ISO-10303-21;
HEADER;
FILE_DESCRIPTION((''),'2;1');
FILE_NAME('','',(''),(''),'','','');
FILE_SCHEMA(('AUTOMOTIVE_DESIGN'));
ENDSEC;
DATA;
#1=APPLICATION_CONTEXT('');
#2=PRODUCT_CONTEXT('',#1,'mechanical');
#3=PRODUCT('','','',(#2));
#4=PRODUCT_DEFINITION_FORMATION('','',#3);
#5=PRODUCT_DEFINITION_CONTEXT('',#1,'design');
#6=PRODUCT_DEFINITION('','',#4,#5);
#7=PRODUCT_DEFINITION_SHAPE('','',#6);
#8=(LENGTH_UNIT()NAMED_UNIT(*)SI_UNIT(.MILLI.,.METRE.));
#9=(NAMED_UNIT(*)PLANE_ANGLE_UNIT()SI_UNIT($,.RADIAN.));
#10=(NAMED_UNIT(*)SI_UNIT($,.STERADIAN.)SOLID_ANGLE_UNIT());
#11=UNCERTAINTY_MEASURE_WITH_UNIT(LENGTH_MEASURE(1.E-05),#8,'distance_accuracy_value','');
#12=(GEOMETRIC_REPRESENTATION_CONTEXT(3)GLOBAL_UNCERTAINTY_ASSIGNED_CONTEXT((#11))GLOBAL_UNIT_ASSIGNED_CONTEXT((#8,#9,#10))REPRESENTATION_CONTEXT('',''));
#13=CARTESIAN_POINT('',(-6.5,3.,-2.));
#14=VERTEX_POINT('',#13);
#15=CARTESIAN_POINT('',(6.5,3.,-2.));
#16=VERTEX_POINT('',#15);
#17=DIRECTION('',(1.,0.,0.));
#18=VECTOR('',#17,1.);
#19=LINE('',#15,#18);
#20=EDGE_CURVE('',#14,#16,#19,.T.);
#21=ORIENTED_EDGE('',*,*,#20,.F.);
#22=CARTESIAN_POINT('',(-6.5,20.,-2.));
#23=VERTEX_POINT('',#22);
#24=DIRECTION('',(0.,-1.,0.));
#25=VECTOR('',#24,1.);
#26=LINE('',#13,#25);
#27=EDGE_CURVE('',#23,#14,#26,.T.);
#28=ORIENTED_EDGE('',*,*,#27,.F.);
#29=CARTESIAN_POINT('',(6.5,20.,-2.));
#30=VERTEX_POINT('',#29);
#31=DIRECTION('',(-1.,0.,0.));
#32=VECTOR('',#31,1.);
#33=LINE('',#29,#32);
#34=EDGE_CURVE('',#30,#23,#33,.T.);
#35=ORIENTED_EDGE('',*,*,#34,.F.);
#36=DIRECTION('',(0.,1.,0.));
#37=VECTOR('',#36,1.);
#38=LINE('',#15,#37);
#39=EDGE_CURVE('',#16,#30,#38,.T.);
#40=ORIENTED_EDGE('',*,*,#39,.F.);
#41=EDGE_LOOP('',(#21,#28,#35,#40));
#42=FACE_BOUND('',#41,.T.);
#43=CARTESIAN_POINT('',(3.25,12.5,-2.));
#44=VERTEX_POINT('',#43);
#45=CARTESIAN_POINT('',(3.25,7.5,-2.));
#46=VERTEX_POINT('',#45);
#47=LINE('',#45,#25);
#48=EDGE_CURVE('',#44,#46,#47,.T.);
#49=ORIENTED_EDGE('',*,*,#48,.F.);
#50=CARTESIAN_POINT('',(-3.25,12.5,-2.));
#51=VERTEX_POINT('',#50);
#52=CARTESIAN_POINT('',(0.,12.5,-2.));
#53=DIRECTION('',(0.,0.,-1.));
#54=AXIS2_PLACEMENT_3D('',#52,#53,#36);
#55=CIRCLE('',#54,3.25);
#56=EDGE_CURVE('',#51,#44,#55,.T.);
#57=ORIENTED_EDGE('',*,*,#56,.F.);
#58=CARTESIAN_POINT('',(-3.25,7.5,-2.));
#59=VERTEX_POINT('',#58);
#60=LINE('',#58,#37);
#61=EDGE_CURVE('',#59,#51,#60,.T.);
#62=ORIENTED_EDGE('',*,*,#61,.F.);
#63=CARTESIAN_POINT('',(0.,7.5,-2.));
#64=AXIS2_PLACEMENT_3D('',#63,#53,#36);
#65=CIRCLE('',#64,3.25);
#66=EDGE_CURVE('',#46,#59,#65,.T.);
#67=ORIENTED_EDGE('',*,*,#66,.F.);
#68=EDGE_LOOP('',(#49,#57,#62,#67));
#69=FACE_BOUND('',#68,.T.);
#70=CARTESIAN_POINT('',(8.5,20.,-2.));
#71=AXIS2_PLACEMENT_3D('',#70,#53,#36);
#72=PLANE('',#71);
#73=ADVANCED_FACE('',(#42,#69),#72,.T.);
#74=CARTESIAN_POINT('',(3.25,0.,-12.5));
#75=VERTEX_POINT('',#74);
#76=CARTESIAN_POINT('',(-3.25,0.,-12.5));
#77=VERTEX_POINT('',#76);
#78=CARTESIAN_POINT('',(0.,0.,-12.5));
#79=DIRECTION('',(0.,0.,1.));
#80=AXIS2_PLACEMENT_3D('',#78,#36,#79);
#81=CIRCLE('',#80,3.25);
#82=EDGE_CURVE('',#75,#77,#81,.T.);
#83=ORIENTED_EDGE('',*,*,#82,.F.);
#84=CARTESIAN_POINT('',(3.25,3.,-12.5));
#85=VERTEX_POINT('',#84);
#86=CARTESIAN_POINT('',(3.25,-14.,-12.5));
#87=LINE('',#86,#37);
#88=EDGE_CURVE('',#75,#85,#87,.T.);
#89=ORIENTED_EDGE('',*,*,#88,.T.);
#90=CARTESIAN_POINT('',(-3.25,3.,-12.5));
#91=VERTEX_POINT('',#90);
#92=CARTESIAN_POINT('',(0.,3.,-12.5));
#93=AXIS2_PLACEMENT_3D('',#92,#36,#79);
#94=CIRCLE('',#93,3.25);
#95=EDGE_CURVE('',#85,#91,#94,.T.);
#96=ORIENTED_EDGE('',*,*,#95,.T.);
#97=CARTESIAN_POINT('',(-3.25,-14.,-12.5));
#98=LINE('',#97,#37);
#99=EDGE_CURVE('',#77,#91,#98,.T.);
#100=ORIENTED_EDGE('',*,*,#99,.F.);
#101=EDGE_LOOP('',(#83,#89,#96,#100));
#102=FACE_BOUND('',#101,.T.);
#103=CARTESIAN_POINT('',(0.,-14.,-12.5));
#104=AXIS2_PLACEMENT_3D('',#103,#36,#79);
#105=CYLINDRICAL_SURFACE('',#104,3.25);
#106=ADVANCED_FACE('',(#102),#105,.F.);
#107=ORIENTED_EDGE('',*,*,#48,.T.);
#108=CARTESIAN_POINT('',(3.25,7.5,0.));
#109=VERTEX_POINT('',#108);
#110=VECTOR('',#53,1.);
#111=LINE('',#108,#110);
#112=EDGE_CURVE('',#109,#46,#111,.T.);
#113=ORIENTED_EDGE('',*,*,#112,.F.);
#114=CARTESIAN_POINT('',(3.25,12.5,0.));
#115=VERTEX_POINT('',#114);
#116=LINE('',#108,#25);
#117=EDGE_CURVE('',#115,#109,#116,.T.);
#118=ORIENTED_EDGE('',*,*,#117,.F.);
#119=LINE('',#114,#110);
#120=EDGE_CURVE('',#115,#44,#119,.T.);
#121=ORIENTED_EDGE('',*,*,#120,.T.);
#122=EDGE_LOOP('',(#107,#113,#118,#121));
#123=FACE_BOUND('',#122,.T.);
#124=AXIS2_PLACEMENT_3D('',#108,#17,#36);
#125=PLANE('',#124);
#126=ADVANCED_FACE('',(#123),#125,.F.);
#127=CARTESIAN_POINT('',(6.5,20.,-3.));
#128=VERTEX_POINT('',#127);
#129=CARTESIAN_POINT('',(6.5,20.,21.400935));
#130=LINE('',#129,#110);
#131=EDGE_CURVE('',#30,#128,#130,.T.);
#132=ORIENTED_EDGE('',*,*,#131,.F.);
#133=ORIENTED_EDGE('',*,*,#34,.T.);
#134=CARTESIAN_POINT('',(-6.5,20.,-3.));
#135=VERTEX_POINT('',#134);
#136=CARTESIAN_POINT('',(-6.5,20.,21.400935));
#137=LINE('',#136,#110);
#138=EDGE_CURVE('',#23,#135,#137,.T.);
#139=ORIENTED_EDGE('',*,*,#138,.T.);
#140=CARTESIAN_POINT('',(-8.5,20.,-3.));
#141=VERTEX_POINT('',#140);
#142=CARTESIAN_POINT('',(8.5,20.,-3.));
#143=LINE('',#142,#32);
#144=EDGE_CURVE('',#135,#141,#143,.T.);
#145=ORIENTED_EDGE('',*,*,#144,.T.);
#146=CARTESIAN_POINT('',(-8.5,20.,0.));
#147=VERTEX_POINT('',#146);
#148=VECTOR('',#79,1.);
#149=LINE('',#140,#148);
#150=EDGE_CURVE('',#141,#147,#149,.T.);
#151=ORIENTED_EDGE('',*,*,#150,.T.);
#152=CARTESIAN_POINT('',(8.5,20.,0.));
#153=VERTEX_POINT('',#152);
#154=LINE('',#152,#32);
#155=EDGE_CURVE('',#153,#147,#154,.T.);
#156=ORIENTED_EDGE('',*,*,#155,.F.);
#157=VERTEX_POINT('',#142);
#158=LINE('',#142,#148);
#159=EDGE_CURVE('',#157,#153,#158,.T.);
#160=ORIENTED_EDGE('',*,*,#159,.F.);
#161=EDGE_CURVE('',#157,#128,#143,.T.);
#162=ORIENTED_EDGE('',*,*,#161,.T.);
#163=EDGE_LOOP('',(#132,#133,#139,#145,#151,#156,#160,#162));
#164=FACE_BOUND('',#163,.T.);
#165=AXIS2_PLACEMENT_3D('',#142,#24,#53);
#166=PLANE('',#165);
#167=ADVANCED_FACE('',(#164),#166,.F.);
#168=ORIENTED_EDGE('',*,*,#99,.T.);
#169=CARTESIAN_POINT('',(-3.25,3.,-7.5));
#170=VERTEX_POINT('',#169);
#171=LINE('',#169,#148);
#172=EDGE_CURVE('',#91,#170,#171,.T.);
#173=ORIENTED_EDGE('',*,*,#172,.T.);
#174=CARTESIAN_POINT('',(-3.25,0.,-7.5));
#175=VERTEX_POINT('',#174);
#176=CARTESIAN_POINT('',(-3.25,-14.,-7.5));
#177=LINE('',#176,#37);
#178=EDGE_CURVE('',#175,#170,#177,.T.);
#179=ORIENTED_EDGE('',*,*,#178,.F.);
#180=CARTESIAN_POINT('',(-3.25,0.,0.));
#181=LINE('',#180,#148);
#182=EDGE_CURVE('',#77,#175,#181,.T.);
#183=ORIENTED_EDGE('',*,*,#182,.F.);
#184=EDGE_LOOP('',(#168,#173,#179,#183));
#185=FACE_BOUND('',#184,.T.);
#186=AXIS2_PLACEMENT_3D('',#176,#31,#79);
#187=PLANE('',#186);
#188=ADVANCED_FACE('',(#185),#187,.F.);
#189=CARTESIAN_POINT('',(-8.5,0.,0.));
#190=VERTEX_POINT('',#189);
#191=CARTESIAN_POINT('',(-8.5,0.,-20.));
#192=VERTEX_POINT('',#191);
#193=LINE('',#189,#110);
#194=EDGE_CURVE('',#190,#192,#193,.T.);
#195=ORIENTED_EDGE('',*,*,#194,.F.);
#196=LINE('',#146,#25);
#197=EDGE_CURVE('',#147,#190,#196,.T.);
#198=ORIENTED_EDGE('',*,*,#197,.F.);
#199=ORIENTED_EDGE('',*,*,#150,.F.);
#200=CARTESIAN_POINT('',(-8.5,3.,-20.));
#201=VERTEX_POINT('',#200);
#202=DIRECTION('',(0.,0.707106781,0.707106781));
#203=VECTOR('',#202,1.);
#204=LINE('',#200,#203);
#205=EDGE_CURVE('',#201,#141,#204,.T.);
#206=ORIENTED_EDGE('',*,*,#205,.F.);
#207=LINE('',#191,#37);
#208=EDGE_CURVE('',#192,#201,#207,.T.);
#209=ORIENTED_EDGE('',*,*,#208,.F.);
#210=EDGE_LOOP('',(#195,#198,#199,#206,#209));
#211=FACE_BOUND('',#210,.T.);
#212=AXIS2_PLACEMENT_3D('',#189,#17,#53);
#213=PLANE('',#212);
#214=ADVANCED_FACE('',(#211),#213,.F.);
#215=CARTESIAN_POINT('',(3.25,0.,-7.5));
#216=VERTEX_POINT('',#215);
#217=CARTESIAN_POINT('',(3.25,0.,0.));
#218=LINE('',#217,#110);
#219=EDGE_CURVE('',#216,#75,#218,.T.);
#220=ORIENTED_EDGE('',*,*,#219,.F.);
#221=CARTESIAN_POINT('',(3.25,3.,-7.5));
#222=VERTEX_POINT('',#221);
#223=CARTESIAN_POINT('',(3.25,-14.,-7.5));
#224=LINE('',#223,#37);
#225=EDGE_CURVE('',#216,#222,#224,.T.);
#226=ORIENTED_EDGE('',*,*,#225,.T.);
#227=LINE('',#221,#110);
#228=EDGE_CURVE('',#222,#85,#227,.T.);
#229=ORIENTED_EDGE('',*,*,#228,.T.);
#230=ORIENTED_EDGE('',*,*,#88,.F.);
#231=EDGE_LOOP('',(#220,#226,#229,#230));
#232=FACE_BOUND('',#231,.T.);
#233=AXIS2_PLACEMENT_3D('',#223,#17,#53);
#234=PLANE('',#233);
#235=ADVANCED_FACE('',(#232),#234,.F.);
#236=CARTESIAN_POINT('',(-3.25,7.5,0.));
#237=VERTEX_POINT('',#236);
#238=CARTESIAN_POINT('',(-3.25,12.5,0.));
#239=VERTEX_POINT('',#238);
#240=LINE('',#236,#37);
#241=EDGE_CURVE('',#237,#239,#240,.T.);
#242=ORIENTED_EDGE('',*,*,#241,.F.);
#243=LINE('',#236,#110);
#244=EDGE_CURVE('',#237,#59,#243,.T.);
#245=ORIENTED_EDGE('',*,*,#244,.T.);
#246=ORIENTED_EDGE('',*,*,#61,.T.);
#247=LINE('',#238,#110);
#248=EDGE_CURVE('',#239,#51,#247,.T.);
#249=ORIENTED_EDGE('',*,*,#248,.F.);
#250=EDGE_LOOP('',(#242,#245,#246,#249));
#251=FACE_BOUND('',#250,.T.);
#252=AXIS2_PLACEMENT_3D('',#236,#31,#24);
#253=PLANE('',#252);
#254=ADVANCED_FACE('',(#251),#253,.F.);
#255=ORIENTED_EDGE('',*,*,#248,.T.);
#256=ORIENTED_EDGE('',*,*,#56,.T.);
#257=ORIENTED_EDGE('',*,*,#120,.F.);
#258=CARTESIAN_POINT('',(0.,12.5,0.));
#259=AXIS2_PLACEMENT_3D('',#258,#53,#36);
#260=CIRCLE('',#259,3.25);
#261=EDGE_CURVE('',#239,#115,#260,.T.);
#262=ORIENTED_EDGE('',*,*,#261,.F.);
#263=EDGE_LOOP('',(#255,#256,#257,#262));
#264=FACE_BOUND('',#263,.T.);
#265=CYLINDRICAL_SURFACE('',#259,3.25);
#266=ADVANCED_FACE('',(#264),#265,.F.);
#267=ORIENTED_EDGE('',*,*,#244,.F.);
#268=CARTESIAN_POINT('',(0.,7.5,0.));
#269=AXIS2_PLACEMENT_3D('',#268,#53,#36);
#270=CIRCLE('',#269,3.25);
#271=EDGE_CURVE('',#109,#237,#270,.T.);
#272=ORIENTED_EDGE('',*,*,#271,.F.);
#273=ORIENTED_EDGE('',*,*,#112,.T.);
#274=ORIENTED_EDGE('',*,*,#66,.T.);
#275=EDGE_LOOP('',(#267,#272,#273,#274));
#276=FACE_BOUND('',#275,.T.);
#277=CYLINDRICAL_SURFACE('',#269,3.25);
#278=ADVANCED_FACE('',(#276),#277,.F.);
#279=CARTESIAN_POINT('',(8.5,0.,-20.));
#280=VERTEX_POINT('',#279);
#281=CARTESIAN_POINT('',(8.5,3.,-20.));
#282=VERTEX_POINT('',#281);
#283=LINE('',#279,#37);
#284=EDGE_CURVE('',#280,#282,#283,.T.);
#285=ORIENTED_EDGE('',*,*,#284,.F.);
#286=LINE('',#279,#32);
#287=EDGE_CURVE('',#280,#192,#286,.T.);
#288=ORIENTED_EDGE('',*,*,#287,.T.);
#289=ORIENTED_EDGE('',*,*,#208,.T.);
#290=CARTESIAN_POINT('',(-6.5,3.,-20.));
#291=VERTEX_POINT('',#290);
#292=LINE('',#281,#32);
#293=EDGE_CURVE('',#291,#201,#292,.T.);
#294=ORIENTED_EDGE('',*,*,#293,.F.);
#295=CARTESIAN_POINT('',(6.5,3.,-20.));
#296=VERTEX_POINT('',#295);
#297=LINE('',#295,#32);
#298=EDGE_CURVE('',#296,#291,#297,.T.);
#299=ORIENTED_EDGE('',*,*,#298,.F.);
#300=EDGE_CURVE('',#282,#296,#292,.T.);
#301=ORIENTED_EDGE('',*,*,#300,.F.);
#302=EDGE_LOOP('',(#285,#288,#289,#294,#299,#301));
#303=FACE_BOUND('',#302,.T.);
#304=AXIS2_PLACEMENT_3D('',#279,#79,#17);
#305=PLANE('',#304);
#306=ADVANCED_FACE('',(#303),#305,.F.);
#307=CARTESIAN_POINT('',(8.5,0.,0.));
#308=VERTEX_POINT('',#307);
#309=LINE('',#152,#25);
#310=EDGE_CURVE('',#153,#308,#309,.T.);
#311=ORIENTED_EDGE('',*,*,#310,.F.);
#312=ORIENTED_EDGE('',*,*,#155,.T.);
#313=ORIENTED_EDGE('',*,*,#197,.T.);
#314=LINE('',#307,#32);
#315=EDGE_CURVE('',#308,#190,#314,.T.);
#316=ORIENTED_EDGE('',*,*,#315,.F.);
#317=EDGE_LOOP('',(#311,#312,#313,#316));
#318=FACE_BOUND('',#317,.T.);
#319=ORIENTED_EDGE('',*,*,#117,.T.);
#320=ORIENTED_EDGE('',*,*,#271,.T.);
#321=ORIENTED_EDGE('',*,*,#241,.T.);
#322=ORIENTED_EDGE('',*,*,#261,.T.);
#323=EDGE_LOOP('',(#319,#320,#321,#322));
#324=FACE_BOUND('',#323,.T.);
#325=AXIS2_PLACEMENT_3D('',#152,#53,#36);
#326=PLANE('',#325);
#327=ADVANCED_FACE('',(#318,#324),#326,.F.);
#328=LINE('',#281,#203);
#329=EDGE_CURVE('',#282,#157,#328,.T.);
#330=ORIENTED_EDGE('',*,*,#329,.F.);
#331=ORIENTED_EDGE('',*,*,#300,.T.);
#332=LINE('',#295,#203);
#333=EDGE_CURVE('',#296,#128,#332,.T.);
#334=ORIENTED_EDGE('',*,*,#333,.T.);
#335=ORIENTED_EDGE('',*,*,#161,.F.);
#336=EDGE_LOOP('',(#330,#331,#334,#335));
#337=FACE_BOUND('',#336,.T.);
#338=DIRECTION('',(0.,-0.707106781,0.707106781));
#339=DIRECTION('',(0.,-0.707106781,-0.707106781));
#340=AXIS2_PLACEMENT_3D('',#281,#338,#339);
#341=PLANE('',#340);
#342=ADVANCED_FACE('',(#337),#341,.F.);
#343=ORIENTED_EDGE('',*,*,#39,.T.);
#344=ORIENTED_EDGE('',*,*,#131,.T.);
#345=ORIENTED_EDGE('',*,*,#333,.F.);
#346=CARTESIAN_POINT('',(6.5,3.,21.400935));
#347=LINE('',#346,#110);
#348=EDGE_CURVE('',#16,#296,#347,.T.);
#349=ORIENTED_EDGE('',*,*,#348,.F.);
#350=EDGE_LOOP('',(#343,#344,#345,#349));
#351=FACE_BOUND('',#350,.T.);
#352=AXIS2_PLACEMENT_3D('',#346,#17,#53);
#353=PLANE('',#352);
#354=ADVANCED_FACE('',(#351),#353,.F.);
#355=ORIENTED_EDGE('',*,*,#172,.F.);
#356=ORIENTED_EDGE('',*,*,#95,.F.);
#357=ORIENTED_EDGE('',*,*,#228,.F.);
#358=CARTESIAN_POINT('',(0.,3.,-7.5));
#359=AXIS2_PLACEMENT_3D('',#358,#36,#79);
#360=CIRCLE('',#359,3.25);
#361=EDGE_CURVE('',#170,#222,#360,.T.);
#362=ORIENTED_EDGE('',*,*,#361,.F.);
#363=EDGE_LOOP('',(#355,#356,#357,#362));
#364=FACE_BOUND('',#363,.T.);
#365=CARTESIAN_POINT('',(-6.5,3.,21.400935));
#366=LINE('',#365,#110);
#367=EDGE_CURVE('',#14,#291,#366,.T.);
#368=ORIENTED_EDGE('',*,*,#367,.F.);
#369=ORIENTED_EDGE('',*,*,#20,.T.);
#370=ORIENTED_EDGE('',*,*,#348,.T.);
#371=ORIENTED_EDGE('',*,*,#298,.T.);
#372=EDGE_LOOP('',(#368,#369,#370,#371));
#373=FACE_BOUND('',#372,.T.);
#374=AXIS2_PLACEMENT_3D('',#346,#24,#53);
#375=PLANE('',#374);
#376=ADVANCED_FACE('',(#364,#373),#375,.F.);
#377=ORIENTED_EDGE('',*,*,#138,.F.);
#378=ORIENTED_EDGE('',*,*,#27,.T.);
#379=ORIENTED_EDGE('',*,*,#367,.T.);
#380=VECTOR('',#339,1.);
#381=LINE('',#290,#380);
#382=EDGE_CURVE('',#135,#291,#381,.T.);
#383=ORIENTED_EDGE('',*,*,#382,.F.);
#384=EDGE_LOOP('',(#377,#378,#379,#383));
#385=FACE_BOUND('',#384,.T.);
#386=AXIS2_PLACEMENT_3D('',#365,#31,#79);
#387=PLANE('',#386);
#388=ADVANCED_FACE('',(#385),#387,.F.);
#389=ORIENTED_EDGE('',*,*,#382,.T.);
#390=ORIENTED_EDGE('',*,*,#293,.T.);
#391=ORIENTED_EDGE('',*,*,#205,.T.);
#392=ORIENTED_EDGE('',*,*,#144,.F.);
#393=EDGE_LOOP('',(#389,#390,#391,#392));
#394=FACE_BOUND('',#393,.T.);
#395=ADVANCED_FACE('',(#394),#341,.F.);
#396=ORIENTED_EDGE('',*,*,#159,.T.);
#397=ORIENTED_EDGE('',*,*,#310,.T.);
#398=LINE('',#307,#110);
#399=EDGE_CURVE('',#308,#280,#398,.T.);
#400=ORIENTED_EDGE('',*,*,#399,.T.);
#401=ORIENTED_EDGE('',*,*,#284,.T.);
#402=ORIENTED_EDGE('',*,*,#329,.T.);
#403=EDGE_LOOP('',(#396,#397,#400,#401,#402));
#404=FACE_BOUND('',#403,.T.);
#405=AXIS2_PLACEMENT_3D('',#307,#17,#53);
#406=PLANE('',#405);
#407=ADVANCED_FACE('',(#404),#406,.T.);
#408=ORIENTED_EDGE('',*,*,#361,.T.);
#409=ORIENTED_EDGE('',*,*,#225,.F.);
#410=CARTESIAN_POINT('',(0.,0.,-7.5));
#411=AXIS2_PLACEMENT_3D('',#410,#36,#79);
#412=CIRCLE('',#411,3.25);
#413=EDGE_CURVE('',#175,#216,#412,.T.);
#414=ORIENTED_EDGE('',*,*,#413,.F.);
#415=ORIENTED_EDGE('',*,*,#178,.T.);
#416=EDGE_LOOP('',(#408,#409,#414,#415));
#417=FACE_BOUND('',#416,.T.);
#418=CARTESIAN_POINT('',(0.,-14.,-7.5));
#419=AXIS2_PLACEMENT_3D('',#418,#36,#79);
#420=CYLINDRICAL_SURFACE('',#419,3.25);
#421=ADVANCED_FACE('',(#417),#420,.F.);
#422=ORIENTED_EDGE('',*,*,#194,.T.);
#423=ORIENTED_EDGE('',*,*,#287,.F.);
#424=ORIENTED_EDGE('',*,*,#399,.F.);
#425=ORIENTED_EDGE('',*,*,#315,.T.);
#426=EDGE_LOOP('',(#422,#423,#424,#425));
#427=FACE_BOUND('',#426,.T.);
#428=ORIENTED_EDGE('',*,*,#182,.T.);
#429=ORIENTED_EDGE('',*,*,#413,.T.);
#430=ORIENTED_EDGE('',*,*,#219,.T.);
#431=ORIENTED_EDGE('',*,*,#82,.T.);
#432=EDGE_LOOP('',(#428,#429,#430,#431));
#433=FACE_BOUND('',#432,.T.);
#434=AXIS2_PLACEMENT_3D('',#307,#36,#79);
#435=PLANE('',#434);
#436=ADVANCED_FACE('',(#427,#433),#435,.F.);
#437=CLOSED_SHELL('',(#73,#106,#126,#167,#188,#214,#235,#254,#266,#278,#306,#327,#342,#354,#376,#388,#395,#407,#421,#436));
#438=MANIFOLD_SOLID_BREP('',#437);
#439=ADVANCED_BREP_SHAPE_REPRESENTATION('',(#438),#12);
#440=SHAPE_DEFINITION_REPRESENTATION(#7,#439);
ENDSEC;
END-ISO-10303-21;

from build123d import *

# Parameters (mm, degrees)
BODY_DEPTH     = 8.5
SKETCH2_W      = 13
SKETCH2_H      = 17
EXTUSION_DEPTH = 18
HOLE_A_DEPTH   = 29.217902119
HOLE_B_DEPTH   = 17


with BuildPart() as part:
    # Sketch1 → Body (new, symmetric)
    with BuildSketch(Plane(origin=(0, 0, 0), x_dir=(0, 0, -1), z_dir=(1, 0, 0))):
        Polygon((3, 20), (0, 20), (0, 0), (20, 0), (20, 3), align=None)
    extrude(amount=BODY_DEPTH, both=True)

    # Sketch2 → Extusion (cut)
    with BuildSketch(Plane(origin=(0, 0, -20), x_dir=(-1, 0, 0), z_dir=(0, 0, -1))):
        with Locations((0, 11.5)):
            Rectangle(SKETCH2_W, SKETCH2_H)
    extrude(amount=-EXTUSION_DEPTH, mode=Mode.SUBTRACT)

    # Sketch3 → Hole_A (cut, through all)
    with BuildSketch(Plane(origin=(0, 0, -2), x_dir=(-1, 0, 0), z_dir=(0, 0, -1))):
        with BuildLine():
            Line((-3.25, 7.5), (-3.25, 12.5))
            ThreePointArc((-3.25, 12.5), (0, 15.75), (3.25, 12.5))
            Line((3.25, 12.5), (3.25, 7.5))
            ThreePointArc((3.25, 7.5), (0, 4.25), (-3.25, 7.5))
        make_face()
    extrude(amount=-HOLE_A_DEPTH, mode=Mode.SUBTRACT)

    # Sketch4 → Hole_B (cut)
    with BuildSketch(Plane(origin=(0, 3, 0), x_dir=(1, 0, 0), z_dir=(0, 1, 0))):
        with BuildLine():
            Line((-3.25, 7.5), (-3.25, 12.5))
            ThreePointArc((-3.25, 12.5), (0, 15.75), (3.25, 12.5))
            Line((3.25, 12.5), (3.25, 7.5))
            ThreePointArc((3.25, 7.5), (0, 4.25), (-3.25, 7.5))
        make_face()
    extrude(amount=-HOLE_B_DEPTH, mode=Mode.SUBTRACT)


solid = part.part
